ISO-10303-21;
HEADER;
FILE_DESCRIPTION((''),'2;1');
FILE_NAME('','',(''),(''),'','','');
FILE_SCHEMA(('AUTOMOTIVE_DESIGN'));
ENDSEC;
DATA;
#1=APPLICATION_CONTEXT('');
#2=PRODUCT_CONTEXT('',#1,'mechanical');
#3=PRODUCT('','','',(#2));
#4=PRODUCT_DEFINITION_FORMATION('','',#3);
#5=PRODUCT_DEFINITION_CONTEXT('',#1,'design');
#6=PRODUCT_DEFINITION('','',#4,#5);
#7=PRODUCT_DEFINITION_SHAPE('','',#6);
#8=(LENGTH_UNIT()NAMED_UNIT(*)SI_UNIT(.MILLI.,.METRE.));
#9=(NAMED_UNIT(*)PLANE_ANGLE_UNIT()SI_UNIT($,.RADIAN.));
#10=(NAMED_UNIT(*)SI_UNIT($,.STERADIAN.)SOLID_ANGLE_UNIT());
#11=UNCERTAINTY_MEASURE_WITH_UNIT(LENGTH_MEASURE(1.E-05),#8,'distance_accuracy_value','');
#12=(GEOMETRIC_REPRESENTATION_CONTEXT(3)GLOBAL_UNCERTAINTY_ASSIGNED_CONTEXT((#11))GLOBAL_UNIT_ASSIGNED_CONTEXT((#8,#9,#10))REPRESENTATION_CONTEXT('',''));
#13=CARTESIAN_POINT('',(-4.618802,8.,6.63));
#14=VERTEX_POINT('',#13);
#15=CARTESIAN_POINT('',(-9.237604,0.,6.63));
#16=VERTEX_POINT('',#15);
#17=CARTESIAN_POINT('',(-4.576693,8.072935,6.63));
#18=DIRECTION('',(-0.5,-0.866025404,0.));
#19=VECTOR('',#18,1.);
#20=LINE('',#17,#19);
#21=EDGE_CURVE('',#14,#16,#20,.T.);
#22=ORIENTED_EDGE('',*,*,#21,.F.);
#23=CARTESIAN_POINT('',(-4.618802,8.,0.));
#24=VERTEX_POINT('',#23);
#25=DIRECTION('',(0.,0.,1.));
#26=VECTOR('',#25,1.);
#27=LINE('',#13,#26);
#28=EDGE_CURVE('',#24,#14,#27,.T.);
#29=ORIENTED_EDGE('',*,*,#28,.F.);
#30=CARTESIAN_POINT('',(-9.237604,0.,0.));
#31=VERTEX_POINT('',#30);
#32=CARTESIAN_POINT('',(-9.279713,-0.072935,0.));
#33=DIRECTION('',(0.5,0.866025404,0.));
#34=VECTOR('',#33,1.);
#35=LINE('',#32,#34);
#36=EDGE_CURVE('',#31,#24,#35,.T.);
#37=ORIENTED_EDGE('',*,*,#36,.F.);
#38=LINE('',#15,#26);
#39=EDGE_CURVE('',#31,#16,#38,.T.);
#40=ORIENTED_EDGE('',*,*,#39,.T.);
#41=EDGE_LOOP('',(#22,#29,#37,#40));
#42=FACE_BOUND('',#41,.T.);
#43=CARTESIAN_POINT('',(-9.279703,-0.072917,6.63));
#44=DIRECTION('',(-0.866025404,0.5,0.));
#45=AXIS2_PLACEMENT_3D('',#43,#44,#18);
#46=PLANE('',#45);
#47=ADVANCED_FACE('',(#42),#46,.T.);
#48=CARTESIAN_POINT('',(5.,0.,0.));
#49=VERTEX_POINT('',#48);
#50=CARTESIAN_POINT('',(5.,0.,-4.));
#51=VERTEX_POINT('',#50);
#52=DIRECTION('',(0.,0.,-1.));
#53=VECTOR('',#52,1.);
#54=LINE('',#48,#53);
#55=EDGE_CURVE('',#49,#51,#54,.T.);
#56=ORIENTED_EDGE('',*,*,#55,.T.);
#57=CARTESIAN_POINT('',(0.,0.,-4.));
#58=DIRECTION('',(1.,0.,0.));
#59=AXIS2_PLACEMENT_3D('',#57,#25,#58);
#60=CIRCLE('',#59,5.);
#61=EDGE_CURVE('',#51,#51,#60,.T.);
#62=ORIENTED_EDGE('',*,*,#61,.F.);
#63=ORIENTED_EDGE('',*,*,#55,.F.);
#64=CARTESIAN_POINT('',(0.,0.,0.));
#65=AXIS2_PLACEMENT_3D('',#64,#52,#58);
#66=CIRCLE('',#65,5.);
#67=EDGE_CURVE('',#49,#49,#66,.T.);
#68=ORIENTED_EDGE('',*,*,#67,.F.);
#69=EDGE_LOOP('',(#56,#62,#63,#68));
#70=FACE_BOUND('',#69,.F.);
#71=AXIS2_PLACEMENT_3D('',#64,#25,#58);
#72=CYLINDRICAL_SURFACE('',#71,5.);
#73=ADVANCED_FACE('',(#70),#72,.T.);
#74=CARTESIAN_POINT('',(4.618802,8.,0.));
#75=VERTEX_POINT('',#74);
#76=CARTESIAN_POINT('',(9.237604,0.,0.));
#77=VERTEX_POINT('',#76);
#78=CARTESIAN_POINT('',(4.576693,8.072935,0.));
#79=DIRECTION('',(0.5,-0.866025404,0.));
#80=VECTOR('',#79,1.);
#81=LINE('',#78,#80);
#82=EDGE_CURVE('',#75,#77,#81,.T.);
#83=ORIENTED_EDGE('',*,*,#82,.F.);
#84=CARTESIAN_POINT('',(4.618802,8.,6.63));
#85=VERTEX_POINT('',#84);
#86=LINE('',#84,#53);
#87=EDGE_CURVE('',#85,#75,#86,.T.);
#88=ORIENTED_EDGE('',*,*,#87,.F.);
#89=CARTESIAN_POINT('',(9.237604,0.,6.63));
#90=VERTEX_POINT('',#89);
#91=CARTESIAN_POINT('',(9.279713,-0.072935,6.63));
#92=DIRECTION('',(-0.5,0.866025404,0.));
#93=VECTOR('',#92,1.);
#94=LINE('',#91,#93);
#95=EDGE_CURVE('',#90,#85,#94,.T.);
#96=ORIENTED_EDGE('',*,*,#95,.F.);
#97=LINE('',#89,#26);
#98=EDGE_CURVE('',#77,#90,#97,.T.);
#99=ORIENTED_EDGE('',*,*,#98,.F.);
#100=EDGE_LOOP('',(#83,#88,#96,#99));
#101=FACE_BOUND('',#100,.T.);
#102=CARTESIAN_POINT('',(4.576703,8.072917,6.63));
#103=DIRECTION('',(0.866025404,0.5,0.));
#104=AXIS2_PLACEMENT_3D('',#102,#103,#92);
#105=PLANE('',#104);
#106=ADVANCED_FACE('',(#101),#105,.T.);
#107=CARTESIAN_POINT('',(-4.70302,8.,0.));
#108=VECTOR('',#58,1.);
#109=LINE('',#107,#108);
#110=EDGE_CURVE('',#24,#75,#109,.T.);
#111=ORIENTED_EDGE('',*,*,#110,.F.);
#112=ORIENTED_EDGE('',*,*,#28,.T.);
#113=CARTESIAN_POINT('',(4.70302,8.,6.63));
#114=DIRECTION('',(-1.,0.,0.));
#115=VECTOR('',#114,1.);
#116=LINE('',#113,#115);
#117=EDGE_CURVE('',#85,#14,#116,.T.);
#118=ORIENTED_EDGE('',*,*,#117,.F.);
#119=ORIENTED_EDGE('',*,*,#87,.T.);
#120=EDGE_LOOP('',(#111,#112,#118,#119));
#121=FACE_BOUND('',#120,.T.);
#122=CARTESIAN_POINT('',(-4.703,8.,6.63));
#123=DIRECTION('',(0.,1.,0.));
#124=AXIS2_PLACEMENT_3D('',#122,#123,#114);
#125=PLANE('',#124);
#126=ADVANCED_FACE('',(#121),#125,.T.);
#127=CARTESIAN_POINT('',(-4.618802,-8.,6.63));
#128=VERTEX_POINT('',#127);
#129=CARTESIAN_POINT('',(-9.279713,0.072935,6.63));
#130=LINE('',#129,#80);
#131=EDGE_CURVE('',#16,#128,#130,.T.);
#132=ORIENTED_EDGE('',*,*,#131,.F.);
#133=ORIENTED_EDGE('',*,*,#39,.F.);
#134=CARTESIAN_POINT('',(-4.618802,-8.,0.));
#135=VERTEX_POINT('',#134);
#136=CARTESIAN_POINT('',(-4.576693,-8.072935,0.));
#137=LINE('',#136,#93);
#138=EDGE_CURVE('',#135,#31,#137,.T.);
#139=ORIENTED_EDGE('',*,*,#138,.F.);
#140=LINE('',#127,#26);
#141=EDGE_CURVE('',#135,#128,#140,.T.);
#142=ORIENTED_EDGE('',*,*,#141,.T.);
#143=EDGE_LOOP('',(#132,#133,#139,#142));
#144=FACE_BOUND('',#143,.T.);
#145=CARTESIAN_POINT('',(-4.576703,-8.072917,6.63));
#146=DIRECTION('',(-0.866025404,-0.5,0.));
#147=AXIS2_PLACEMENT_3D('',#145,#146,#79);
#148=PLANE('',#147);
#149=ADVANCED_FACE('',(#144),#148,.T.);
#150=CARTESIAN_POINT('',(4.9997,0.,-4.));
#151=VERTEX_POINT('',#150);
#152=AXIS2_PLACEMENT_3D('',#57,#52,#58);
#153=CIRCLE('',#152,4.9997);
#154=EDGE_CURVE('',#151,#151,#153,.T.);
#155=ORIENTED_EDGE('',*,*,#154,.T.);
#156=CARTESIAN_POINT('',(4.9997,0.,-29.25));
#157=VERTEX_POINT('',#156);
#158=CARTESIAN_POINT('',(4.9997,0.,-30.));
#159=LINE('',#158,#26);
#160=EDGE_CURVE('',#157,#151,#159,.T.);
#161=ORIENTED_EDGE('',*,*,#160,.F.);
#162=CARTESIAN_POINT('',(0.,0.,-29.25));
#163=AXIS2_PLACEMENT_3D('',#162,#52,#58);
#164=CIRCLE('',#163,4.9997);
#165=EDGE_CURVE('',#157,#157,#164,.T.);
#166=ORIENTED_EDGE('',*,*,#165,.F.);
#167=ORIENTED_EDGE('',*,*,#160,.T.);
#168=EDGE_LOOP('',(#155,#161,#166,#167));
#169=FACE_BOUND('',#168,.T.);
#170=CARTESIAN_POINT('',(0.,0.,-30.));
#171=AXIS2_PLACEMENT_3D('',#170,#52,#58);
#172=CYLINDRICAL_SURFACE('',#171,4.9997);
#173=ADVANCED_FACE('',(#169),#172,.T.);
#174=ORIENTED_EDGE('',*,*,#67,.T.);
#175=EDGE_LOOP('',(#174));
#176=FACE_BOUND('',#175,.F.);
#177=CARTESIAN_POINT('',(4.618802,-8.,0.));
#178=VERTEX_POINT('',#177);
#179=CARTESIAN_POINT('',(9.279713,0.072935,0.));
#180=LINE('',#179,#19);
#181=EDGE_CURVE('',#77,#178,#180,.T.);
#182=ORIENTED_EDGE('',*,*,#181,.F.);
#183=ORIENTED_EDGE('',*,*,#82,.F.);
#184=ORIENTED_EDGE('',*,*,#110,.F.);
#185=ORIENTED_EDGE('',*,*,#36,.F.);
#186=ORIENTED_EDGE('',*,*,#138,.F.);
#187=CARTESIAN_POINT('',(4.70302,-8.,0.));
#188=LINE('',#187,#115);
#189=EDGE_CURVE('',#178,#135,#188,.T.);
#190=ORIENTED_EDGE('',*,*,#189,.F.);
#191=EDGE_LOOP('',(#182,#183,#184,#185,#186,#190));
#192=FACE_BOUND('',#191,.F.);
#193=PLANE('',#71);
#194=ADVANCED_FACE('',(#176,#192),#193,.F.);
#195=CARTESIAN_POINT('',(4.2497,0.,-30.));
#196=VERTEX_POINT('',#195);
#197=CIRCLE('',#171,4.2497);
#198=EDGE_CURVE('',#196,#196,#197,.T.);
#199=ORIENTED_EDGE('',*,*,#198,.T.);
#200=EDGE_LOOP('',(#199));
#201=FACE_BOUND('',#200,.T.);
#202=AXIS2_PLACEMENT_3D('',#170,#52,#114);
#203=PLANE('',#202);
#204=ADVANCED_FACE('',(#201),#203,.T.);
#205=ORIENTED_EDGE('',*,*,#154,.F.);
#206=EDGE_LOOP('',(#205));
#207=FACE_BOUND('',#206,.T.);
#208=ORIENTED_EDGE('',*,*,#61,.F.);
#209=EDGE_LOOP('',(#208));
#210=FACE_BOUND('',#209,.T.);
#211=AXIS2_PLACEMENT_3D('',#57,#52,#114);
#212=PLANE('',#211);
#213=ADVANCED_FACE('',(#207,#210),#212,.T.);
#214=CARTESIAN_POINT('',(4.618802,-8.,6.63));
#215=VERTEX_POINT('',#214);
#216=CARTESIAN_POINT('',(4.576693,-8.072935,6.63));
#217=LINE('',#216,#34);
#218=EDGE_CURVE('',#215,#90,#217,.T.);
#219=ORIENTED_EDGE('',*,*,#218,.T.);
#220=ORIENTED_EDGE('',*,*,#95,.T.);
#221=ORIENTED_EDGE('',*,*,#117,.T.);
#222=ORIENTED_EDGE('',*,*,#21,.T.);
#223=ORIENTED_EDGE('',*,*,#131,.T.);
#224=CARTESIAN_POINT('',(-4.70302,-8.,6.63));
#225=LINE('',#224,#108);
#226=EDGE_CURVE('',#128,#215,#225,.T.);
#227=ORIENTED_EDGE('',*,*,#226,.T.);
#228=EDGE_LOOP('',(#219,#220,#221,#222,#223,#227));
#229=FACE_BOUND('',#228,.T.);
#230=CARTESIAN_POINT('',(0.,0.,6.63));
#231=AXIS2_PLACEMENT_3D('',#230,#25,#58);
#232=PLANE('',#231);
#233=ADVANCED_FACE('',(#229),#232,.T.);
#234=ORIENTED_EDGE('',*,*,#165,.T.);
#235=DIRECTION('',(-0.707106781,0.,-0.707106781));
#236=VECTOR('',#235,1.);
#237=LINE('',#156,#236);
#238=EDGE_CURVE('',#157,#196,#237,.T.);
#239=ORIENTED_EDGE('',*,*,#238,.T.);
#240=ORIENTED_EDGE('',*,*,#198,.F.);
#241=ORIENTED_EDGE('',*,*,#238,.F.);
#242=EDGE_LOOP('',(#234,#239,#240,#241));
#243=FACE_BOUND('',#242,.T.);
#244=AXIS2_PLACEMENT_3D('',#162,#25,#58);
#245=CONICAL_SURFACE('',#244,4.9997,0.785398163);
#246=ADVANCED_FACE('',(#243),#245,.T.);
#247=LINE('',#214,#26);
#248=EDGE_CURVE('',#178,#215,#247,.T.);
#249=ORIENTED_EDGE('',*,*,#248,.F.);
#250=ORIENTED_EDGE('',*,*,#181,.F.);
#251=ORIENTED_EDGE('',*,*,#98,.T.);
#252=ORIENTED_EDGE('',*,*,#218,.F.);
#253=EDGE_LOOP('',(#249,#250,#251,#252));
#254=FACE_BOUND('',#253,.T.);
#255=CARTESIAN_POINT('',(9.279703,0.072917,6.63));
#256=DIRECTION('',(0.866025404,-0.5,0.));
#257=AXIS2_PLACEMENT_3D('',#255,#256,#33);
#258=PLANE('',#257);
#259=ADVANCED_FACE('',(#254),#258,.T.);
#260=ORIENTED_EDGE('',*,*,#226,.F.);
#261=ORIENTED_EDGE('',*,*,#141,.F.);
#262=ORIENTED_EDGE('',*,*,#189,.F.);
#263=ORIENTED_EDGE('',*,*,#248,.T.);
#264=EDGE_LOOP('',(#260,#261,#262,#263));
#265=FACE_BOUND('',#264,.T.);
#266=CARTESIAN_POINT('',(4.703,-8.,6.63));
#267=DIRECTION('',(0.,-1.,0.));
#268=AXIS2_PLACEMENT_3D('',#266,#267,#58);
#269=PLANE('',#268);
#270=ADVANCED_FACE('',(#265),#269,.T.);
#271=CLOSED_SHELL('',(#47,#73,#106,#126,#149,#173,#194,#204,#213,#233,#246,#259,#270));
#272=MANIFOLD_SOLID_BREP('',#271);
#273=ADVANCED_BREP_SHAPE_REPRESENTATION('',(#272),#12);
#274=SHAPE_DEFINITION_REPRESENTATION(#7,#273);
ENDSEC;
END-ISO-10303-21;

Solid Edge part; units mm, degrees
sketch "Sketch1" plane through (0, 0, 0) normal (0, 0, 1) x (1, 0, 0)
  circle A0 centre (0, 0) radius 9.28
  dimension "D1" = 18.56
extrude "Protrusion1" add sketch "Sketch1" along normal blind 6.63
sketch "Sketch2" plane through (0, 0, 0) normal (0, 0, -1) x (1, 0, 0)
  circle A0 centre (0, 0) radius 5
extrude "Protrusion2" add sketch "Sketch2" along normal blind 30
sketch "Sketch3" plane through (0, 0, -30) normal (0, 0, -1) x (1, 0, 0)
  circle A0 centre (0, 0) radius 4.9997
extrude "Cutout1" cut sketch "Sketch3" against normal blind 26 flip side to cut
chamfer "Chamfer_1" distance 0.75 angle 45 1 edges at (-4.9997, 0, -30)
sketch "Sketch4" plane through (0, 0, 6.63) normal (0, 0, 1) x (1, 0, 0)
  line L0 (-4.703, 8) -> (4.703, 8)
  dimension "D1" = 16
extrude "Cutout2" cut sketch "Sketch4" against normal up to next material side at (0, 8.05, 6.63)
pattern_circular "Pattern1" count 6 over 360 about axis through (0, 0, 6.63) along (0, 0, 1) of "Cutout2"
properties part number "24101206"
